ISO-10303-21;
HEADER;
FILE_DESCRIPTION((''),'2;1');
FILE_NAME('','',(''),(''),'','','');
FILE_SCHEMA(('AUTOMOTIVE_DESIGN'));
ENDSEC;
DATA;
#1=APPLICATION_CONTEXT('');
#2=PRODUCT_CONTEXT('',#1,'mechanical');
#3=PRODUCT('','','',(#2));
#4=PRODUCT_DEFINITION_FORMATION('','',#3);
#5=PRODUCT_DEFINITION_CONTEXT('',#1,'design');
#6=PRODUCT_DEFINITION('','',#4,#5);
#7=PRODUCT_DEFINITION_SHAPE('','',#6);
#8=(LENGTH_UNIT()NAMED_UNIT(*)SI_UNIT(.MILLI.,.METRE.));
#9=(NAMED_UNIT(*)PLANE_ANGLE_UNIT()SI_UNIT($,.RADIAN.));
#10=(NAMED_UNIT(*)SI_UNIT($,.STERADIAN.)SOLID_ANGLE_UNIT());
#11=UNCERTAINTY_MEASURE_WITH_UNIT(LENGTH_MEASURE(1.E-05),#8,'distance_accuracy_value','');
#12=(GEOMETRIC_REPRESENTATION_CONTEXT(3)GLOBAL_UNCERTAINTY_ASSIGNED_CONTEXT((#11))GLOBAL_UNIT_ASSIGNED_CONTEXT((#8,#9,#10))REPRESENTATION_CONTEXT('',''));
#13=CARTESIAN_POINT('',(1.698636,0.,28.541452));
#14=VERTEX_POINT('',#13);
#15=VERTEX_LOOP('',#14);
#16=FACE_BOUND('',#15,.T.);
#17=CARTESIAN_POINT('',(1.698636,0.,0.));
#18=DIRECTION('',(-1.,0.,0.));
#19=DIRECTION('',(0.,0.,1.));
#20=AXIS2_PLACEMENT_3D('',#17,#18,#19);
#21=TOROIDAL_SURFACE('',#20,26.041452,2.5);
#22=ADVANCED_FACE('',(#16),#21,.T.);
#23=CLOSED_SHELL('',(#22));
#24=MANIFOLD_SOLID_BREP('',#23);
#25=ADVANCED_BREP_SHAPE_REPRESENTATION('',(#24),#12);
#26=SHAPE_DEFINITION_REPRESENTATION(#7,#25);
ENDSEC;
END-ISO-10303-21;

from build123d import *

# Parameters (mm, degrees)
SKETCH1_R = 2.5


with BuildPart() as part:
    # Sketch1 → Revolve1 (revolve)
    with BuildSketch(Plane.XY, mode=Mode.PRIVATE) as revolve1_sk:
        with Locations((1.698636188, 26.041451884)):
            Circle(SKETCH1_R)
    revolve(revolve1_sk.sketch.rotate(Axis((-8.977593231, 0, 0), (1, 0, 0)), 90), axis=Axis((-8.977593231, 0, 0), (1, 0, 0)))


solid = part.part
